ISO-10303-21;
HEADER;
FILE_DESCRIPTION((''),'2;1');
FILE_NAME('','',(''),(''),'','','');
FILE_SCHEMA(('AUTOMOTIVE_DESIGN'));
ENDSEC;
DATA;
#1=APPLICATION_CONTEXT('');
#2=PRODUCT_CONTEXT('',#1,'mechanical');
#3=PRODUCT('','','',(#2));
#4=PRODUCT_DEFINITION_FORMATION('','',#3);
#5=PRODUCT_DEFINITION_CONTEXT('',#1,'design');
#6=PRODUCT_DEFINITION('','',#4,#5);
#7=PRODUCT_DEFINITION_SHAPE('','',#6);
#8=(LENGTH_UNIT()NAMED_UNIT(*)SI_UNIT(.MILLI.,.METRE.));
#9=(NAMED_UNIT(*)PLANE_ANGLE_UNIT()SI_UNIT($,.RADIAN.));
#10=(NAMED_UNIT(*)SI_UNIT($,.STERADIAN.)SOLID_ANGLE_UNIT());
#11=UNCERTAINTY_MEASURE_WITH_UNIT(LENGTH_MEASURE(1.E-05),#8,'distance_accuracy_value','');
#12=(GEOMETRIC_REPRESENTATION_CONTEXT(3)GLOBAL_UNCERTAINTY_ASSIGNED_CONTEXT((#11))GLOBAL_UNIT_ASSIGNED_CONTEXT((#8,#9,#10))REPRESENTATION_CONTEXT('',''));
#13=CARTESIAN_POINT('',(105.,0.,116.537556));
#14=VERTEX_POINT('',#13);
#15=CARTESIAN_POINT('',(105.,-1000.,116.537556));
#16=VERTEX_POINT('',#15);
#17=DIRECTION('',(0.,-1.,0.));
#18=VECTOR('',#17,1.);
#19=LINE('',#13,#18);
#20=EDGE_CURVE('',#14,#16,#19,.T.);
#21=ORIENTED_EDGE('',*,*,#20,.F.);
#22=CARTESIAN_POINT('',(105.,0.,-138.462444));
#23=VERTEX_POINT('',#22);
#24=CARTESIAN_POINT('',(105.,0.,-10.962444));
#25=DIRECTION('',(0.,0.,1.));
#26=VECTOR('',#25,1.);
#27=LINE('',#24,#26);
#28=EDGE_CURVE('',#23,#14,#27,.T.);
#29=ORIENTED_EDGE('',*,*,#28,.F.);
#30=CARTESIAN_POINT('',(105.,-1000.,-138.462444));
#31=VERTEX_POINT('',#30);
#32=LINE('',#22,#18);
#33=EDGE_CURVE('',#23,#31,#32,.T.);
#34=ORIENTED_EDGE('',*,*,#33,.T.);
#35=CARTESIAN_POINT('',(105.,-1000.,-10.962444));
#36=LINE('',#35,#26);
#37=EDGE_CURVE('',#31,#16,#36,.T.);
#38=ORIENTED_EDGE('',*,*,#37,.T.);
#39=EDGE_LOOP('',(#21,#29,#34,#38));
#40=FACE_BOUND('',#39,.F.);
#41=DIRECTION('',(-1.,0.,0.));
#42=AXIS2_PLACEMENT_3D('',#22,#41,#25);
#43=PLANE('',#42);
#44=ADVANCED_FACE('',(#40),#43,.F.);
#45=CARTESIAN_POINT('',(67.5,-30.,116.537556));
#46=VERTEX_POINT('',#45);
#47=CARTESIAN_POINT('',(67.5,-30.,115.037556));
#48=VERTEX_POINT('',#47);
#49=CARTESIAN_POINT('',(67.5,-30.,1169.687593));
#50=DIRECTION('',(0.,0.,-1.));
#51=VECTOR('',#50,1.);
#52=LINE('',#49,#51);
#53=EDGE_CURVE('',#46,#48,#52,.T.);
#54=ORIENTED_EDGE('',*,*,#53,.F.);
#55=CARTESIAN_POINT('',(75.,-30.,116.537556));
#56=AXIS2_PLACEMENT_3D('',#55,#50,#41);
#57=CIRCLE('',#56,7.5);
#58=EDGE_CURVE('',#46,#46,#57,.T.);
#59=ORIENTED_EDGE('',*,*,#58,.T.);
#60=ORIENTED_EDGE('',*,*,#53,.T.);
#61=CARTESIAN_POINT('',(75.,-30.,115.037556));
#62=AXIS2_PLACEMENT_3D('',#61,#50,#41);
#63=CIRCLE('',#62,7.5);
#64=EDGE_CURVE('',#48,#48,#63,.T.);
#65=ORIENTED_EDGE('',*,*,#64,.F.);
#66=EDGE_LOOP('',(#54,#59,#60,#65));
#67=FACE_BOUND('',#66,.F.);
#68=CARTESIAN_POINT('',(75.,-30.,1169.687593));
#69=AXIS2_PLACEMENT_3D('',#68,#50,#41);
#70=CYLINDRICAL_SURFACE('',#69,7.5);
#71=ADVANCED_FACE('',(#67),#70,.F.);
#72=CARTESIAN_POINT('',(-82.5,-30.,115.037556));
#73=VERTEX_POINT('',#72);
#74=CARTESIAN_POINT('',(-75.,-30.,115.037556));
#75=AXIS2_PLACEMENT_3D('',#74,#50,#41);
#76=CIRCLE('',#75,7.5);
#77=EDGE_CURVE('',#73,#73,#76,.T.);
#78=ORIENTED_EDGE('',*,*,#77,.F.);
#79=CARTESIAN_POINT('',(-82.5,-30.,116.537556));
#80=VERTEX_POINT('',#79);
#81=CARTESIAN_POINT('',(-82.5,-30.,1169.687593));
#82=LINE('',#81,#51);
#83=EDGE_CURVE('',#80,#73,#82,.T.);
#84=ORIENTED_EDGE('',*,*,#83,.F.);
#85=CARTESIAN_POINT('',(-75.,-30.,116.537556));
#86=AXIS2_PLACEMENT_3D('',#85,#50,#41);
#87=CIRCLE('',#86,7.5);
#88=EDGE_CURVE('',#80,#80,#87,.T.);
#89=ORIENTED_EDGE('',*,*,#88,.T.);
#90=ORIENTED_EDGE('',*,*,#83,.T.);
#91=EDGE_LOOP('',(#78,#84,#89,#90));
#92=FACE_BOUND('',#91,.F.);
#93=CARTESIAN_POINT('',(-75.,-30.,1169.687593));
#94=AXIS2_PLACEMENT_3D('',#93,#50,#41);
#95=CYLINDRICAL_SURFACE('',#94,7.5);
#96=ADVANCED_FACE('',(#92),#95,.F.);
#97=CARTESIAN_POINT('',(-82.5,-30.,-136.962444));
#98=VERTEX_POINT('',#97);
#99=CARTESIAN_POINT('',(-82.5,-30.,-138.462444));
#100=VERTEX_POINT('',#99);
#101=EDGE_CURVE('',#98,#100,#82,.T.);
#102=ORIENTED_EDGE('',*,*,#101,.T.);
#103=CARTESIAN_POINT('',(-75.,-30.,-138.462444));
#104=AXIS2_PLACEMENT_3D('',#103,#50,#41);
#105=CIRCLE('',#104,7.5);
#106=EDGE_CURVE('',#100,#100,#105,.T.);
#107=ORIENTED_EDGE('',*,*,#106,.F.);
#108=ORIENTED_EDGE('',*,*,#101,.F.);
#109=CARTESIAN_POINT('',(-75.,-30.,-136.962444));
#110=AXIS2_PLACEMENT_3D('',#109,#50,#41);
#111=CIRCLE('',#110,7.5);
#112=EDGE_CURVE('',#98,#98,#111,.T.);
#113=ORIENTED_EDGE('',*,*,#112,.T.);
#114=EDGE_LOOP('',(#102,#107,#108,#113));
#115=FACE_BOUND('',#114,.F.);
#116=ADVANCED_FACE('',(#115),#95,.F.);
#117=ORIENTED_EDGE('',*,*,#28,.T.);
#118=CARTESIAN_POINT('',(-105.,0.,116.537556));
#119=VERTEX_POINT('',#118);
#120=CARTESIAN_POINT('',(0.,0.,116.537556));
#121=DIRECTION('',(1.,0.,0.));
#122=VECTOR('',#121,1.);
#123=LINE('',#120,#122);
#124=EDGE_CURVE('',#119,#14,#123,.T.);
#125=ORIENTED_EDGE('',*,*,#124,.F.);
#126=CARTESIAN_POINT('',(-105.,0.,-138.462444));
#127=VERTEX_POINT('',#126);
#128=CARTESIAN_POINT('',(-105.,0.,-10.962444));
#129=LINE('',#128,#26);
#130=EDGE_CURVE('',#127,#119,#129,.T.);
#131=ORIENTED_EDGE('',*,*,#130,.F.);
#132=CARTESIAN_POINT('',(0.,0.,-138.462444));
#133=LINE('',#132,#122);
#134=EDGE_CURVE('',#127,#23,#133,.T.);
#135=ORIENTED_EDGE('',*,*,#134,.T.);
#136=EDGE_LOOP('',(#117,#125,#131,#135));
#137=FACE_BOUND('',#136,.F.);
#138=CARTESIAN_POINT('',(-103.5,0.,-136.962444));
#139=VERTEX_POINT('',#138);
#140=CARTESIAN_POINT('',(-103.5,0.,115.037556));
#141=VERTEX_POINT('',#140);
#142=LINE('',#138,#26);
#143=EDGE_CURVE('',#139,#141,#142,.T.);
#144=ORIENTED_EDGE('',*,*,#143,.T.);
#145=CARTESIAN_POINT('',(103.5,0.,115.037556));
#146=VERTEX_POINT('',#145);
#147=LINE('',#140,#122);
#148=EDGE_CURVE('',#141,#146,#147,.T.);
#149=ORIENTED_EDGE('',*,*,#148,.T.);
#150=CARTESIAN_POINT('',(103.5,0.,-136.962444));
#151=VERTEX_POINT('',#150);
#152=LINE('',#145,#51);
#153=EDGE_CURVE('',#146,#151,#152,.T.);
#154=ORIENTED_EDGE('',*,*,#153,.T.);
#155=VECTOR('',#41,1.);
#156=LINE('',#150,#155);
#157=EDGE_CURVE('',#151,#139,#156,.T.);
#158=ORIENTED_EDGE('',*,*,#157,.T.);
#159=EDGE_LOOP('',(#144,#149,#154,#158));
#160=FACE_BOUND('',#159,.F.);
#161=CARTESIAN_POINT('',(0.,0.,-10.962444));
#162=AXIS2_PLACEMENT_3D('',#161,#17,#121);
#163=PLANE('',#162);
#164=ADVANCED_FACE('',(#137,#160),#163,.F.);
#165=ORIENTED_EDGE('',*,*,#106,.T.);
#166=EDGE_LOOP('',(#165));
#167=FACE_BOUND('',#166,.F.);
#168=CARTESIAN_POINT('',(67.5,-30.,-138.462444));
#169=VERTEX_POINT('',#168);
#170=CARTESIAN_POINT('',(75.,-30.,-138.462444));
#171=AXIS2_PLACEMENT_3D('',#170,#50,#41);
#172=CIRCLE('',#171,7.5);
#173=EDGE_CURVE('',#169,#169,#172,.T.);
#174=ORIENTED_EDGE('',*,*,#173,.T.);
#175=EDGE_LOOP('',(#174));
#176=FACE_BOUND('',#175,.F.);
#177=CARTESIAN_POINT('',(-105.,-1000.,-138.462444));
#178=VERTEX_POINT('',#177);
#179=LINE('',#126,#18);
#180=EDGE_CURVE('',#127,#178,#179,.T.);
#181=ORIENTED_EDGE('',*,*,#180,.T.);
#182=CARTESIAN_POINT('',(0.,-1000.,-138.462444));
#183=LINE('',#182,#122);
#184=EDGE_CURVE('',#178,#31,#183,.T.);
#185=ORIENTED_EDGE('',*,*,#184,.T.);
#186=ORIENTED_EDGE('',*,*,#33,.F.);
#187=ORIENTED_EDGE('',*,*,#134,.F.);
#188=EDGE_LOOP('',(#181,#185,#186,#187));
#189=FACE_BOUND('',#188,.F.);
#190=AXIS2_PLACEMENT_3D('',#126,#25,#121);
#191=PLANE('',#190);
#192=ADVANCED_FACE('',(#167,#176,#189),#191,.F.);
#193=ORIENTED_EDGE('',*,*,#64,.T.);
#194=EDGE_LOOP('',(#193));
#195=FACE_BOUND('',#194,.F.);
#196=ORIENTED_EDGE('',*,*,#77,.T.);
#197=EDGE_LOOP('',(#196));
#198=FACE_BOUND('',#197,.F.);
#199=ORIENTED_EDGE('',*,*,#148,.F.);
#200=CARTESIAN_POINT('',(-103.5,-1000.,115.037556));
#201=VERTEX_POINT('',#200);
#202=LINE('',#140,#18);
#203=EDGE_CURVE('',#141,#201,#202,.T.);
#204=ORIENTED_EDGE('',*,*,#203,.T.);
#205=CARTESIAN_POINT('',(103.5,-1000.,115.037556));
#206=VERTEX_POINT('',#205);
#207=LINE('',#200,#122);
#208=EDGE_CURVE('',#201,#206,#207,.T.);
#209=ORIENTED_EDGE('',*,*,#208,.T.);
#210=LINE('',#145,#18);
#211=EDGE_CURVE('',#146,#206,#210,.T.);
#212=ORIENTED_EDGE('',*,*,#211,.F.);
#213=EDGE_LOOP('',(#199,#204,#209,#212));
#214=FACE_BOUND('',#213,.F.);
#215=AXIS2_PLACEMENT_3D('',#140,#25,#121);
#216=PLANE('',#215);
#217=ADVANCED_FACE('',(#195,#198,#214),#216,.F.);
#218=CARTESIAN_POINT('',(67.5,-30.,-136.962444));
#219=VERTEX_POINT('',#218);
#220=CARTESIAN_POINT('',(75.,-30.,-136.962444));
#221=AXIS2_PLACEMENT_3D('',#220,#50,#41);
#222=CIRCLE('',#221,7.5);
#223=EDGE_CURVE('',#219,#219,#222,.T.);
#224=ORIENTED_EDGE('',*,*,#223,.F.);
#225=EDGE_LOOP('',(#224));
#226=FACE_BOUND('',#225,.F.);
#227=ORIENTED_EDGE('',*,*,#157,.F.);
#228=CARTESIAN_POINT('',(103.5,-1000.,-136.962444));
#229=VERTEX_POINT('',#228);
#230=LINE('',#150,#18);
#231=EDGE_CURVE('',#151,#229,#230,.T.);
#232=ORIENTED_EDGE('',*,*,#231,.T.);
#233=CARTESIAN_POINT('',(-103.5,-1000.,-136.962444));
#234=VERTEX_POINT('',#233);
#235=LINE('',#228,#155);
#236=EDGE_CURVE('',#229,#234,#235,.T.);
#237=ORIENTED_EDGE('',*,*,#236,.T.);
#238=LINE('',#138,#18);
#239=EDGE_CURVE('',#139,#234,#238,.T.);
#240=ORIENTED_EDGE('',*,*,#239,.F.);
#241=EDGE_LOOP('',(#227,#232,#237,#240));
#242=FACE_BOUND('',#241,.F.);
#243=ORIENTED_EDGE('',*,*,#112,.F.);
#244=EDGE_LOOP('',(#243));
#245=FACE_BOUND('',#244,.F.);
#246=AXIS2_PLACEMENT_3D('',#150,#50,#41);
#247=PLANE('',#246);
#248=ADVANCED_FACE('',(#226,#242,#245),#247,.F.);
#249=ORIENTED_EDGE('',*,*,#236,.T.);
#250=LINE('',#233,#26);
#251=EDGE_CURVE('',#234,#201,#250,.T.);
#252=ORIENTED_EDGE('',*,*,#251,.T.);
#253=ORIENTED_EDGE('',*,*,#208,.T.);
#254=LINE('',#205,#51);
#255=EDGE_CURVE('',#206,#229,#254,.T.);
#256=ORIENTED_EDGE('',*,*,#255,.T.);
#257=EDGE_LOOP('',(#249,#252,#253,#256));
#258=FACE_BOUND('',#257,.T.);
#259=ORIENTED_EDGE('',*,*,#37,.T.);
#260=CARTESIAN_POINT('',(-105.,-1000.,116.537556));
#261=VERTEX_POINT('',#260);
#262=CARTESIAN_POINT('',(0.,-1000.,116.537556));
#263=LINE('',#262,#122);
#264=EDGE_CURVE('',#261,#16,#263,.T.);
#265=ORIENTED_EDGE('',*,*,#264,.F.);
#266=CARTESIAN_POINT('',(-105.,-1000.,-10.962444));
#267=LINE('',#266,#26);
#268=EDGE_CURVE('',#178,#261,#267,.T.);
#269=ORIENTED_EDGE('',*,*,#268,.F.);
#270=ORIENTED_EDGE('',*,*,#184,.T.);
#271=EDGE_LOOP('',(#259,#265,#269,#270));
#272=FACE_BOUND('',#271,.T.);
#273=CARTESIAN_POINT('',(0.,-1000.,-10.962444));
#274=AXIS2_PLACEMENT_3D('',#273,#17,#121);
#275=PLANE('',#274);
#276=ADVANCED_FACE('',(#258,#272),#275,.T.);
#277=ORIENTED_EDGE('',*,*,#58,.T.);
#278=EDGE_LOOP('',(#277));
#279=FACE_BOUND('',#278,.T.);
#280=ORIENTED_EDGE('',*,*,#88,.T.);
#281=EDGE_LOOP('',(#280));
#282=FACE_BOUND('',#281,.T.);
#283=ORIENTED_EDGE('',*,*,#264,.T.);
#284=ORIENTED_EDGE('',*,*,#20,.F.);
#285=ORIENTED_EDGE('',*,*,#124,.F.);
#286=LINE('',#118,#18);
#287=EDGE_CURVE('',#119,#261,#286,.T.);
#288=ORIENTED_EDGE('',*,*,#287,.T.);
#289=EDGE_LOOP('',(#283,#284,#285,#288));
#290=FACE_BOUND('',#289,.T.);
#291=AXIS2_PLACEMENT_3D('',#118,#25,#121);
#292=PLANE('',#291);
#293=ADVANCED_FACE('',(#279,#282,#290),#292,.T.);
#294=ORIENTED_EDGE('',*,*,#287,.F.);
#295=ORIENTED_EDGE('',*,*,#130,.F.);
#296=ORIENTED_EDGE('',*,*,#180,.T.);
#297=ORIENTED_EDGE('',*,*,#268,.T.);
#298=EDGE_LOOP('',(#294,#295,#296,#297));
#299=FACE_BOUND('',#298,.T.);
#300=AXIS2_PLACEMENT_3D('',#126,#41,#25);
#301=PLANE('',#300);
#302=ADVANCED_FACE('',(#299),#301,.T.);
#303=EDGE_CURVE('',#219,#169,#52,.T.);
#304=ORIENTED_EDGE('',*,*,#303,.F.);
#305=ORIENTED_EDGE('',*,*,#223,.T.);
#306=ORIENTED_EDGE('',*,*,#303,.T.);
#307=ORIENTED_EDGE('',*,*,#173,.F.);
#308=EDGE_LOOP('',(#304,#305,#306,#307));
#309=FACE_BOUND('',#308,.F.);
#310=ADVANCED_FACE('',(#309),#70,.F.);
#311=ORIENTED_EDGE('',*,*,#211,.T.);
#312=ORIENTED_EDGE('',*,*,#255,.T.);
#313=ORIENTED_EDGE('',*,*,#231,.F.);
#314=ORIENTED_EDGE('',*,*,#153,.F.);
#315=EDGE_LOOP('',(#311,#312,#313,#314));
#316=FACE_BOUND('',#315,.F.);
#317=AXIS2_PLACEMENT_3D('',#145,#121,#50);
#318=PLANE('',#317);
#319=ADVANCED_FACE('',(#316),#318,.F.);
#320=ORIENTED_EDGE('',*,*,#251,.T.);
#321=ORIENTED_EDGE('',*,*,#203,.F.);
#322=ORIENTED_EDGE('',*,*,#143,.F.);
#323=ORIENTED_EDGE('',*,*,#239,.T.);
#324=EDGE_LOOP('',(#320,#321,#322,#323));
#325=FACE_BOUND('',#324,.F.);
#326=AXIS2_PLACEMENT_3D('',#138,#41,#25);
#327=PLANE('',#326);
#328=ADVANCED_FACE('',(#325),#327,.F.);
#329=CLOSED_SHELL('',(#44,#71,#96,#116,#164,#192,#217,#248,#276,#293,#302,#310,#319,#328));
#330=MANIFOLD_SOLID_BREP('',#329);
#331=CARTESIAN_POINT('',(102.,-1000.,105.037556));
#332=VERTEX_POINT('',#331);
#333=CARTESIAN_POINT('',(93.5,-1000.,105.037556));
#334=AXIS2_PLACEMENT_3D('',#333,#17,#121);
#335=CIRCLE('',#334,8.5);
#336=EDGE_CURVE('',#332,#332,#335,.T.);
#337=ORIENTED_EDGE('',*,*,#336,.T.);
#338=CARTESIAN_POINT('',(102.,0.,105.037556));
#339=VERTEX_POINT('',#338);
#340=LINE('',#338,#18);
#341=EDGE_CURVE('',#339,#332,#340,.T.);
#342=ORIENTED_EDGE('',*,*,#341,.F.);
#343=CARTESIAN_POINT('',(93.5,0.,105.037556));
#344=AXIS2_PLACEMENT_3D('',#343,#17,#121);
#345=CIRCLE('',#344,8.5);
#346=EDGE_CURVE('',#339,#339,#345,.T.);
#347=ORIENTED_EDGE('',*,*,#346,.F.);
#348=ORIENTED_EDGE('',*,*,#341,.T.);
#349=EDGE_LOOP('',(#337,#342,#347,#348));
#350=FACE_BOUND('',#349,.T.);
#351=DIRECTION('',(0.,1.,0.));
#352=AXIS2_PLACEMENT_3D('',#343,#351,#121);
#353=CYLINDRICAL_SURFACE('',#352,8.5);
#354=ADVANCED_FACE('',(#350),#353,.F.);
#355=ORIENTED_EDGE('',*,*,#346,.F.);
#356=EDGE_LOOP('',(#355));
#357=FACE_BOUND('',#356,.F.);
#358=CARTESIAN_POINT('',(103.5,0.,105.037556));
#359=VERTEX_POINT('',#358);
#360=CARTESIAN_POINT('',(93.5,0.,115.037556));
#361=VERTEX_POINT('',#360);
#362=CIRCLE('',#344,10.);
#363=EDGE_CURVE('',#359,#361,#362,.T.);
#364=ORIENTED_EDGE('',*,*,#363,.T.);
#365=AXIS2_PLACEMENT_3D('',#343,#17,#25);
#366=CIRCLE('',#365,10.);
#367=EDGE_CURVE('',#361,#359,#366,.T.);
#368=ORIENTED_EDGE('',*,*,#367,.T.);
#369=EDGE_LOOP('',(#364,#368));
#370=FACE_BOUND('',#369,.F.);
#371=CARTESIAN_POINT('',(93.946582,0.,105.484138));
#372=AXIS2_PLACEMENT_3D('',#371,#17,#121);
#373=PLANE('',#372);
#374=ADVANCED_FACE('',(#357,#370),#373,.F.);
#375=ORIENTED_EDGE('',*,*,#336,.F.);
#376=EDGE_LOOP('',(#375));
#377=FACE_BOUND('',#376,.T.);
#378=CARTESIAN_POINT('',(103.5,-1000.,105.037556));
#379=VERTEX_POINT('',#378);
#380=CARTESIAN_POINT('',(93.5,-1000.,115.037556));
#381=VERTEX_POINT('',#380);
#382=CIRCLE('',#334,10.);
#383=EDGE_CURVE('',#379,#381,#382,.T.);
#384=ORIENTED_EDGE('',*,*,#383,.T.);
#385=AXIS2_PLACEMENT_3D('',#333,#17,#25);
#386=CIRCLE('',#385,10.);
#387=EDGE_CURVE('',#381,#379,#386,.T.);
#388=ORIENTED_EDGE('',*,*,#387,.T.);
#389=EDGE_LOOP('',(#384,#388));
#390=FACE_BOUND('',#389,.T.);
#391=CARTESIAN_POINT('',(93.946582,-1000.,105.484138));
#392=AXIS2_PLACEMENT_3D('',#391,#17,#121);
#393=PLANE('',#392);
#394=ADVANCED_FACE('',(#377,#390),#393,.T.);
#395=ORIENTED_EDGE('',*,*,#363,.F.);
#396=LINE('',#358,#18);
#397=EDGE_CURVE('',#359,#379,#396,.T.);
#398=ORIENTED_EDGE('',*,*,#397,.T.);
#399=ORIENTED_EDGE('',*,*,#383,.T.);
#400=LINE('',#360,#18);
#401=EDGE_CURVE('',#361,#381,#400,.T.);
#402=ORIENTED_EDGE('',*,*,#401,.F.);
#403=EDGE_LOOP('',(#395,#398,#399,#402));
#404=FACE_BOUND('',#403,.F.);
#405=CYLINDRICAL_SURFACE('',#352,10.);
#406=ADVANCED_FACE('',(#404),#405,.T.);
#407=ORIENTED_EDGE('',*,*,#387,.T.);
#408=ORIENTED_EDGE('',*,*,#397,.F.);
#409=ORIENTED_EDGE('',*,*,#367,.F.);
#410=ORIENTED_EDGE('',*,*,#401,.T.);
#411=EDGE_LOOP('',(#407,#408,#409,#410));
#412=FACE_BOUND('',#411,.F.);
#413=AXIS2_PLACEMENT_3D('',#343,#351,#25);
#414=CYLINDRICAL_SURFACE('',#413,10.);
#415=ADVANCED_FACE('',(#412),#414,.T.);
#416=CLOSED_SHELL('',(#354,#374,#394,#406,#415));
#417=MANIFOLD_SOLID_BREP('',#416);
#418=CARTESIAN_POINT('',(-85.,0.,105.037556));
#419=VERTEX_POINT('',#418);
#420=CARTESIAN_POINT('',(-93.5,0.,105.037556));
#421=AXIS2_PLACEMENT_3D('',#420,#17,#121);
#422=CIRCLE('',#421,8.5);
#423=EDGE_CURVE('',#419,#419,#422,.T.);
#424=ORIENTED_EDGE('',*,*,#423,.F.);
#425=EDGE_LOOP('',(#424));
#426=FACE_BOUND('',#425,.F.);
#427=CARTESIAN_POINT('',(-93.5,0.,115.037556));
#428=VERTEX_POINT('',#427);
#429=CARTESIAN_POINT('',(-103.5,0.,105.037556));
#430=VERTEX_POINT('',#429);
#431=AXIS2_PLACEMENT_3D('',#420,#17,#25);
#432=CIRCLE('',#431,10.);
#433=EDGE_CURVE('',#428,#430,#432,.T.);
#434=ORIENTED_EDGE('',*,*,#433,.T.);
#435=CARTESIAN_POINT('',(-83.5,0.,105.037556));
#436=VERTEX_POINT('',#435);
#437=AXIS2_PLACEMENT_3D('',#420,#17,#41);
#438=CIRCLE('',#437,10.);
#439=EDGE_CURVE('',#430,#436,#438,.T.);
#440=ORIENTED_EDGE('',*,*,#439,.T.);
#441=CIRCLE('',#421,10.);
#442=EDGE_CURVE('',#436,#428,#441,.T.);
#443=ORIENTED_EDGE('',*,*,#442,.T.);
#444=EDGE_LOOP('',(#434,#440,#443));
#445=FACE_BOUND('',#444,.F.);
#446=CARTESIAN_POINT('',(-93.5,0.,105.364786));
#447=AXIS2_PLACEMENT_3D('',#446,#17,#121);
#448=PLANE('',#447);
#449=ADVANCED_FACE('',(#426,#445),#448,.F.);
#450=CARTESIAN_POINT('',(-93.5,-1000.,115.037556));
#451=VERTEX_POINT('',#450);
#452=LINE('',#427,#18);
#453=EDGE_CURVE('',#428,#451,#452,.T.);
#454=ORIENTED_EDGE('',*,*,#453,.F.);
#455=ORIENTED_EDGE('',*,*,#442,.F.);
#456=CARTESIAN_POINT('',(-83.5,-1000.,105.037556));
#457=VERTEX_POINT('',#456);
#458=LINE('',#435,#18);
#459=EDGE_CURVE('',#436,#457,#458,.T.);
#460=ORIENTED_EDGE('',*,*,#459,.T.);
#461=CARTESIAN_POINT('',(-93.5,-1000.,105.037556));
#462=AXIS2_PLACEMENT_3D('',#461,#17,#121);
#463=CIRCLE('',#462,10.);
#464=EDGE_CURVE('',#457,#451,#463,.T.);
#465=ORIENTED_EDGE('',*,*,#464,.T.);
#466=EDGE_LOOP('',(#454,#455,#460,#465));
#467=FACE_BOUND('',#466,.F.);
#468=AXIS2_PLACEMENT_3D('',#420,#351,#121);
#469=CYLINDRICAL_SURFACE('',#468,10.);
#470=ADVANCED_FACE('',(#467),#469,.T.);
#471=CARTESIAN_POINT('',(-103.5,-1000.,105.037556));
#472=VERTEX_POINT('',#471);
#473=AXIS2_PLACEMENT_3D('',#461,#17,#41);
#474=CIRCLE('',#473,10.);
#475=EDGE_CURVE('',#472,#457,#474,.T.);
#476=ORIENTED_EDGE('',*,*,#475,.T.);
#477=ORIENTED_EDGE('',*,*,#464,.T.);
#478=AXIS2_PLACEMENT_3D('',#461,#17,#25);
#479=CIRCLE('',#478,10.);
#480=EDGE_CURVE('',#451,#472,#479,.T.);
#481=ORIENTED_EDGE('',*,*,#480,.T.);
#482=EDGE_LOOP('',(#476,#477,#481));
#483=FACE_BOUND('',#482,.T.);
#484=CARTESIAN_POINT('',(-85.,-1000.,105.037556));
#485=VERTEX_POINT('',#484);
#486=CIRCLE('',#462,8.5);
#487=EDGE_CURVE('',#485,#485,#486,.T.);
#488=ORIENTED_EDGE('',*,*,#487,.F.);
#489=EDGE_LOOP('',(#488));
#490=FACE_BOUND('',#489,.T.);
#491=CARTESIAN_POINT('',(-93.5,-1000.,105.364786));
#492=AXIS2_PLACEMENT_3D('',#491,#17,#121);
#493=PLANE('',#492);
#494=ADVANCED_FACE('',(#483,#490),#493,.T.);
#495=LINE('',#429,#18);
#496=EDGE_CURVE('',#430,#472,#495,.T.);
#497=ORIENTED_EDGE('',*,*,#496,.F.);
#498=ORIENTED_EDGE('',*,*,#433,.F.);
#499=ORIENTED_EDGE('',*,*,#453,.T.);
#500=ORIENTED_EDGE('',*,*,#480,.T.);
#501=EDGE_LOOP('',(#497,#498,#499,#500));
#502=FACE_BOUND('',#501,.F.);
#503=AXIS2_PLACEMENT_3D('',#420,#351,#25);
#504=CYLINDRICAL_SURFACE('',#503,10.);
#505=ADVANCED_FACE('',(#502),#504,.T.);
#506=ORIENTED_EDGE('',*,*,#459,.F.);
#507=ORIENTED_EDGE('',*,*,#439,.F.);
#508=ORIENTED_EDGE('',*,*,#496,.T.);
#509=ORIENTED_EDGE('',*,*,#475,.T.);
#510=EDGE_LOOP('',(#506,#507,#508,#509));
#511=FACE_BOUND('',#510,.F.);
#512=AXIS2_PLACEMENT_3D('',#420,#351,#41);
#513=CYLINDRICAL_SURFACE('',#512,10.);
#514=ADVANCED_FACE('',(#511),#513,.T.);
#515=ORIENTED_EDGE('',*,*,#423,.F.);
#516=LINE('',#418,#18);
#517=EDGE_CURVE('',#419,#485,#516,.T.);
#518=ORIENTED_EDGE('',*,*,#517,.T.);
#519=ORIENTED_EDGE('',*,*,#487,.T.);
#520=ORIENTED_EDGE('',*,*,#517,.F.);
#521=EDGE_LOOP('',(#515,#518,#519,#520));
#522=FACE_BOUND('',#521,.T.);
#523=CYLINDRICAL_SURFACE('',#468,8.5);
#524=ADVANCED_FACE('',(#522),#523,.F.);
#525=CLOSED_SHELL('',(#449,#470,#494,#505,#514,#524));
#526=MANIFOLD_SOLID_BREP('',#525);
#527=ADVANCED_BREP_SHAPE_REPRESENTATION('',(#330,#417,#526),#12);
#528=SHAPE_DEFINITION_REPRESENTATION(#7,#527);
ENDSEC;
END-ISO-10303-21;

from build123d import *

# Parameters (mm, degrees)
F0_R     = 8.5
F1_DEPTH = 1000
F0_W     = 210
F0_H     = 255
F3_D     = 15


with BuildPart() as f1:
    # F0 (on Front) → F1 (new body)
    with BuildSketch(Plane.XZ):
        with BuildLine():
            ThreePointArc((-83.5, 105.0375561347), (-86.4289321881, 112.1086239466), (-93.5, 115.0375561347))
            ThreePointArc((-93.5, 115.0375561347), (-100.5710678119, 112.1086239466), (-103.5, 105.0375561347))
            ThreePointArc((-103.5, 105.0375561347), (-93.5, 95.0375561347), (-83.5, 105.0375561347))
        make_face()
        with Locations((-93.5, 105.0375561347)):
            Circle(F0_R, mode=Mode.SUBTRACT)
    extrude(amount=F1_DEPTH)


with BuildPart() as f1b:
    # F0 (on Front) → F1, piece 2 (new body)
    with BuildSketch(Plane.XZ):
        with Locations((0, -10.9624438653)):
            Rectangle(F0_W, F0_H)
        Polygon((-103.5, 105.0375561347), (-103.5, 115.0375561347), (-93.5, 115.0375561347), (93.5, 115.0375561347), (103.5, 115.0375561347), (103.5, 105.0375561347), (103.5, -136.9624438653), (-103.5, -136.9624438653), align=None, mode=Mode.SUBTRACT)
    extrude(amount=F1_DEPTH)

    # F3 (through all)
    with Locations(Plane.XY.offset(116.5375561347)):
        with Locations((75, -30), (-75, -30)):
            Hole(F3_D / 2)


with BuildPart() as f1c:
    # F0 (on Front) → F1, piece 3 (new body)
    with BuildSketch(Plane.XZ):
        with BuildLine():
            ThreePointArc((103.5, 105.0375561347), (100.5710678119, 112.1086239466), (93.5, 115.0375561347))
            ThreePointArc((93.5, 115.0375561347), (86.4289321881, 97.9664883229), (103.5, 105.0375561347))
        make_face()
        with Locations((93.5, 105.0375561347)):
            Circle(F0_R, mode=Mode.SUBTRACT)
    extrude(amount=F1_DEPTH)


solid = Compound([f1.part, f1b.part, f1c.part])
